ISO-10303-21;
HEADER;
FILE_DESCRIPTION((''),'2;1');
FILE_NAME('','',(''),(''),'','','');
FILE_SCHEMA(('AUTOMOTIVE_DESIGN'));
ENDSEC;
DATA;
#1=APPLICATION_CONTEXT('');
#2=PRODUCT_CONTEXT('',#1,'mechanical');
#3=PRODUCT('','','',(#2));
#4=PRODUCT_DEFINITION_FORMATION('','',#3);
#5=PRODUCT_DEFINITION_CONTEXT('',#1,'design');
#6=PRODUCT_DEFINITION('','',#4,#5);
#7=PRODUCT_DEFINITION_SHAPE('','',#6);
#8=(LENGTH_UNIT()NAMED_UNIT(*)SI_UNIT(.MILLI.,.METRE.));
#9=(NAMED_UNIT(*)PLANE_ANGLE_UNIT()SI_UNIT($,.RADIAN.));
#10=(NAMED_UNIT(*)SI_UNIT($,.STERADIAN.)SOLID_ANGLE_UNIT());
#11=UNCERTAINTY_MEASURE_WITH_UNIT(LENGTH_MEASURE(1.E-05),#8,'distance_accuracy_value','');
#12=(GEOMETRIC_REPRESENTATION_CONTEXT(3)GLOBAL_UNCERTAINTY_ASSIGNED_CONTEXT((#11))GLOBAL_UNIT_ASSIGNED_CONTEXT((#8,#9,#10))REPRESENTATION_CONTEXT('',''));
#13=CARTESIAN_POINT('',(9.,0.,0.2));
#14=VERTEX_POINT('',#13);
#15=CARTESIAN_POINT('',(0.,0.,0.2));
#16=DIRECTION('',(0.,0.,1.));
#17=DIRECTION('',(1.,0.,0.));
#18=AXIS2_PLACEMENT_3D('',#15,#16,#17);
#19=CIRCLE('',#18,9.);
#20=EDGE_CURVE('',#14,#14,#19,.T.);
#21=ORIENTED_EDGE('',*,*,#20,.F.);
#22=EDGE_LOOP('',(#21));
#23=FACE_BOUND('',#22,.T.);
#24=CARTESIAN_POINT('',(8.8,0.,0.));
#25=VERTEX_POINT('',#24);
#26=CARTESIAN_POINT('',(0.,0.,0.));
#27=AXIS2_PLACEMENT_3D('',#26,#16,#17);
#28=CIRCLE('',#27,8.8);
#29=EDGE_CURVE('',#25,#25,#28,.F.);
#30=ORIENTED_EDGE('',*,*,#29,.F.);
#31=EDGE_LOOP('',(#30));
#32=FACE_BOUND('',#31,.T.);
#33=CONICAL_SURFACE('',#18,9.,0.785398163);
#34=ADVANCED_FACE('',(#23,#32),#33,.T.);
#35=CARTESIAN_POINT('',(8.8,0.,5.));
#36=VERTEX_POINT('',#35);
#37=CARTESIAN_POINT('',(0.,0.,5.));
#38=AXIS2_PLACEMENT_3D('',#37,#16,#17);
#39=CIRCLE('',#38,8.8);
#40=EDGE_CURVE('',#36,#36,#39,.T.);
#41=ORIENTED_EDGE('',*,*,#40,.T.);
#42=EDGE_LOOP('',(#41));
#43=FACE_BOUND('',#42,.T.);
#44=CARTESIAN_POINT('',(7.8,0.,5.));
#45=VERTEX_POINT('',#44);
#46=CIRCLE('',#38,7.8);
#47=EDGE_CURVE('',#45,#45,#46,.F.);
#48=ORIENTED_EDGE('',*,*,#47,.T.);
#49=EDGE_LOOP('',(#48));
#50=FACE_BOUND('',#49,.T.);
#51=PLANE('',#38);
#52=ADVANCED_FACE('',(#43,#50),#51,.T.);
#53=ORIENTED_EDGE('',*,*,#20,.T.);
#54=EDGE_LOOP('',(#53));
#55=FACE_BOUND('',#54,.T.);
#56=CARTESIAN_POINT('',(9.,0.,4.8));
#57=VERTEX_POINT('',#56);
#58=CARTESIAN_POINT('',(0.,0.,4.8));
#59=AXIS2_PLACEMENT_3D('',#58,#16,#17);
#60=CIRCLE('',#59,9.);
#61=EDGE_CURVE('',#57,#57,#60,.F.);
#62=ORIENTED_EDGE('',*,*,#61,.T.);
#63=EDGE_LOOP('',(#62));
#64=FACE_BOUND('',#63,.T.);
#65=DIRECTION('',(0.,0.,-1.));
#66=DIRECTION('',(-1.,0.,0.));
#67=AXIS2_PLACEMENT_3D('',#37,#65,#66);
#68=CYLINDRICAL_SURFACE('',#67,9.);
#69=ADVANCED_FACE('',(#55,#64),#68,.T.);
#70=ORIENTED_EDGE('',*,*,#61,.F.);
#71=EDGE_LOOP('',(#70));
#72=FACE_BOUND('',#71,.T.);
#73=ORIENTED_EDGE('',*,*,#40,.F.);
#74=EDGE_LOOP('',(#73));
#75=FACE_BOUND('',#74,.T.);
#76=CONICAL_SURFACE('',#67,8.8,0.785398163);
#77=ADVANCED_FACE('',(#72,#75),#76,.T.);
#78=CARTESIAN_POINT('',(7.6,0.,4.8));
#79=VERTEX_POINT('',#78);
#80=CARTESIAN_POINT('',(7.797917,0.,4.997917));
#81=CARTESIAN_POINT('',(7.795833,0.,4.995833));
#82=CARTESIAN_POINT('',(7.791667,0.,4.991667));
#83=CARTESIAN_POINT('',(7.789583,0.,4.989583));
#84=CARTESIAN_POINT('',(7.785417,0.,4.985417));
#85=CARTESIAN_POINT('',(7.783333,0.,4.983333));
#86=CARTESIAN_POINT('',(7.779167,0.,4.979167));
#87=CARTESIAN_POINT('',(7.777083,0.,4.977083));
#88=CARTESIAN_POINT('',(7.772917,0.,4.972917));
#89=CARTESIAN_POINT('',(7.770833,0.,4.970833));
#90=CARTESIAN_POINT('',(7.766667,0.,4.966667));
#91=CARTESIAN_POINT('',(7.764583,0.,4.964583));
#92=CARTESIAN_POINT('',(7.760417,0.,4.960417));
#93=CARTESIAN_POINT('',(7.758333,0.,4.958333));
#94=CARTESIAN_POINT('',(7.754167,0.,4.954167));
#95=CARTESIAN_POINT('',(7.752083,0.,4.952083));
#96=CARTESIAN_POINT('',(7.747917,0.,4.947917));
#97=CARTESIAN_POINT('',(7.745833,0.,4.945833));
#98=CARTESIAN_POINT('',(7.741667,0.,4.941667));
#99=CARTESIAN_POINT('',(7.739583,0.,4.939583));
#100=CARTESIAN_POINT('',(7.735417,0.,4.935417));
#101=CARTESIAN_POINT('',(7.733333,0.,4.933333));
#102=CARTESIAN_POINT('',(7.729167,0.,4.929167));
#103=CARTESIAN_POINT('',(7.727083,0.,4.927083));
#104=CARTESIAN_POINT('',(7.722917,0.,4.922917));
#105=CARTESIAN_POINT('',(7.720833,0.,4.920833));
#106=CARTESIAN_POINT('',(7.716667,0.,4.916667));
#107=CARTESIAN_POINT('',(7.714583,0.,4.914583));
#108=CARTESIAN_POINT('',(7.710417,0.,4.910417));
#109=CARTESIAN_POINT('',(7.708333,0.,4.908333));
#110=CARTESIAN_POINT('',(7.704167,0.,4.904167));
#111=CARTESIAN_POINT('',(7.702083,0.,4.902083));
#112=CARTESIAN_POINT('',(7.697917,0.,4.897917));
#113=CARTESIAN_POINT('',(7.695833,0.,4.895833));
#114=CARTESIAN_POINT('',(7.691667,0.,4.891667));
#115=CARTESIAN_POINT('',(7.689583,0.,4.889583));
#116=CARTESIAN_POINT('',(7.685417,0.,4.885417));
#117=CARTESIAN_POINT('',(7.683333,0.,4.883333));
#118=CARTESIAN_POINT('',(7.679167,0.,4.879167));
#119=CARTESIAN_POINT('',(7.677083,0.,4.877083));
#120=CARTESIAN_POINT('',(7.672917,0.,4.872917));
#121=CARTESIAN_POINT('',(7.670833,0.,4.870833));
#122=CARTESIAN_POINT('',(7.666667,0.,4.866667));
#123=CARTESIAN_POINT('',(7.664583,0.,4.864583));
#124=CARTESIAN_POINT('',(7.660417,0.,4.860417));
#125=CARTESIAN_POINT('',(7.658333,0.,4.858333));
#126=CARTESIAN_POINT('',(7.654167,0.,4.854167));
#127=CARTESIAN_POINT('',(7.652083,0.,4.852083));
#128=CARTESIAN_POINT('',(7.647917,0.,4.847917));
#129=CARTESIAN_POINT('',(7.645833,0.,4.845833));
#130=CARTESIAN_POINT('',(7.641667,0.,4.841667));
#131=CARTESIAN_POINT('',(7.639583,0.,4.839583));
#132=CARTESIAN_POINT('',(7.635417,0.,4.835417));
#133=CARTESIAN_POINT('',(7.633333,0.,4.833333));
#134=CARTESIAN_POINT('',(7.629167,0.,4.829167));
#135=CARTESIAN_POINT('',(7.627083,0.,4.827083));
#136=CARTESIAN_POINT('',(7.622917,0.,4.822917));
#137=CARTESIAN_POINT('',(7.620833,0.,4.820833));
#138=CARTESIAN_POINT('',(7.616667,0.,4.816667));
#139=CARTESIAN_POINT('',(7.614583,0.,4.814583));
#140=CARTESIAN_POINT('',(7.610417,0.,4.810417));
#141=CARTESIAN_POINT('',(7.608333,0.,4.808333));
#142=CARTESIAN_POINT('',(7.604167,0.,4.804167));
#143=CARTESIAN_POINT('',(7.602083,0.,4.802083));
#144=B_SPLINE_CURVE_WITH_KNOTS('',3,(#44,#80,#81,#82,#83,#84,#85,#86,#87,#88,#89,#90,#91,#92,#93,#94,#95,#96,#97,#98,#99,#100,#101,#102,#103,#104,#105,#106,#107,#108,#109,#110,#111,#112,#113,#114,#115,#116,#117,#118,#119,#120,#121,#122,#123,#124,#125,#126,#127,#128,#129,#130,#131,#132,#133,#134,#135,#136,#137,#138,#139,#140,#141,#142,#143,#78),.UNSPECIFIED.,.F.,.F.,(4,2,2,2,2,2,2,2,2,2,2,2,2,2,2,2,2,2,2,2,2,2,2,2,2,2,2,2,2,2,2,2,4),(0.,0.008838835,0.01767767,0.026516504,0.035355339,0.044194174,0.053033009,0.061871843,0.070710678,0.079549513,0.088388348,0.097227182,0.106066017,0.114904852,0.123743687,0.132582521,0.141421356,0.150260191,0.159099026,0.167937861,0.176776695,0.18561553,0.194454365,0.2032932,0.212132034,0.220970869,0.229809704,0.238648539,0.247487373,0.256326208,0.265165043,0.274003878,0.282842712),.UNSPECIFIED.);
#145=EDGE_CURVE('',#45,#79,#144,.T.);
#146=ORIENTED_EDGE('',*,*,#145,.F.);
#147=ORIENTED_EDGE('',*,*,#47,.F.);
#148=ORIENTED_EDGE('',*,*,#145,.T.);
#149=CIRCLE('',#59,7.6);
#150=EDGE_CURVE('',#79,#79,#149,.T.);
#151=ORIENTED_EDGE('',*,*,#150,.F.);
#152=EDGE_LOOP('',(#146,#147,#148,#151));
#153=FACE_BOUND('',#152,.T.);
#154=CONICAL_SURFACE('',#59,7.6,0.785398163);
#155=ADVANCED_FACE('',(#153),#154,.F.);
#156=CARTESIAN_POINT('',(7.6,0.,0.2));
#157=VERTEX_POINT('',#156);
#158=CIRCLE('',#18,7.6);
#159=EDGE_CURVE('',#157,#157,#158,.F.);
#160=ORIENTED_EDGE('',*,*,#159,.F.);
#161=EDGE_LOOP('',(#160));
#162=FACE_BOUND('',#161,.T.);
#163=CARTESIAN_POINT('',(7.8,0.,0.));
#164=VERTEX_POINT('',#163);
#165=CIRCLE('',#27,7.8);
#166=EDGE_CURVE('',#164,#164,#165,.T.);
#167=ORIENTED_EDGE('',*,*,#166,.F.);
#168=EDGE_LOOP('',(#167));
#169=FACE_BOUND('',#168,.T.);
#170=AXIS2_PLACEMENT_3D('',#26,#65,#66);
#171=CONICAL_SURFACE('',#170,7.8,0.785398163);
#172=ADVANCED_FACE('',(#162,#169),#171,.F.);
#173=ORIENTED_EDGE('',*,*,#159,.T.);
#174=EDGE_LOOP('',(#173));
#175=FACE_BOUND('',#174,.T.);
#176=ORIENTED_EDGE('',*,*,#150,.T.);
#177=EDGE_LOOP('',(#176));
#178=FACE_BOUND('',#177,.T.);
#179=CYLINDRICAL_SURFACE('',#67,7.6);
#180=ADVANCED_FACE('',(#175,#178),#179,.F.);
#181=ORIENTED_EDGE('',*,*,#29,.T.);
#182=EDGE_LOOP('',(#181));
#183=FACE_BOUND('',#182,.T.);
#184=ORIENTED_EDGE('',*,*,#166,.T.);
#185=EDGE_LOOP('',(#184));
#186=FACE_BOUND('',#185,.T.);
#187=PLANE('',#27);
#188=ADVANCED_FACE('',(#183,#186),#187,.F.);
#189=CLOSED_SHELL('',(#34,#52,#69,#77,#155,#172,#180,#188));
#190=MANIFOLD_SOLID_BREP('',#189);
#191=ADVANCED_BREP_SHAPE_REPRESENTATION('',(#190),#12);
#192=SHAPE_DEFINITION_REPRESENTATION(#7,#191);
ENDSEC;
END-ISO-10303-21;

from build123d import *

# Parameters (mm, degrees)
SKETCH1_R           = 9
SKETCH1_R_2         = 7.6
BOSS_EXTRUDE1_DEPTH = 5
CHAMFER1_SIZE       = 0.2


with BuildPart() as part:
    # Sketch1 → Boss-Extrude1 (new body)
    with BuildSketch(Plane.XY):
        Circle(SKETCH1_R)
        Circle(SKETCH1_R_2, mode=Mode.SUBTRACT)
    extrude(amount=BOSS_EXTRUDE1_DEPTH)

    # Chamfer1
    chamfer1_edges = [part.edges().sort_by_distance(p)[0] for p in [
        (-9, 0, 0),
        (-9, 0, 5),
        (-7.6, 0, 0),
        (-7.6, 0, 5),
    ]]
    chamfer(chamfer1_edges, length=CHAMFER1_SIZE)


solid = part.part
